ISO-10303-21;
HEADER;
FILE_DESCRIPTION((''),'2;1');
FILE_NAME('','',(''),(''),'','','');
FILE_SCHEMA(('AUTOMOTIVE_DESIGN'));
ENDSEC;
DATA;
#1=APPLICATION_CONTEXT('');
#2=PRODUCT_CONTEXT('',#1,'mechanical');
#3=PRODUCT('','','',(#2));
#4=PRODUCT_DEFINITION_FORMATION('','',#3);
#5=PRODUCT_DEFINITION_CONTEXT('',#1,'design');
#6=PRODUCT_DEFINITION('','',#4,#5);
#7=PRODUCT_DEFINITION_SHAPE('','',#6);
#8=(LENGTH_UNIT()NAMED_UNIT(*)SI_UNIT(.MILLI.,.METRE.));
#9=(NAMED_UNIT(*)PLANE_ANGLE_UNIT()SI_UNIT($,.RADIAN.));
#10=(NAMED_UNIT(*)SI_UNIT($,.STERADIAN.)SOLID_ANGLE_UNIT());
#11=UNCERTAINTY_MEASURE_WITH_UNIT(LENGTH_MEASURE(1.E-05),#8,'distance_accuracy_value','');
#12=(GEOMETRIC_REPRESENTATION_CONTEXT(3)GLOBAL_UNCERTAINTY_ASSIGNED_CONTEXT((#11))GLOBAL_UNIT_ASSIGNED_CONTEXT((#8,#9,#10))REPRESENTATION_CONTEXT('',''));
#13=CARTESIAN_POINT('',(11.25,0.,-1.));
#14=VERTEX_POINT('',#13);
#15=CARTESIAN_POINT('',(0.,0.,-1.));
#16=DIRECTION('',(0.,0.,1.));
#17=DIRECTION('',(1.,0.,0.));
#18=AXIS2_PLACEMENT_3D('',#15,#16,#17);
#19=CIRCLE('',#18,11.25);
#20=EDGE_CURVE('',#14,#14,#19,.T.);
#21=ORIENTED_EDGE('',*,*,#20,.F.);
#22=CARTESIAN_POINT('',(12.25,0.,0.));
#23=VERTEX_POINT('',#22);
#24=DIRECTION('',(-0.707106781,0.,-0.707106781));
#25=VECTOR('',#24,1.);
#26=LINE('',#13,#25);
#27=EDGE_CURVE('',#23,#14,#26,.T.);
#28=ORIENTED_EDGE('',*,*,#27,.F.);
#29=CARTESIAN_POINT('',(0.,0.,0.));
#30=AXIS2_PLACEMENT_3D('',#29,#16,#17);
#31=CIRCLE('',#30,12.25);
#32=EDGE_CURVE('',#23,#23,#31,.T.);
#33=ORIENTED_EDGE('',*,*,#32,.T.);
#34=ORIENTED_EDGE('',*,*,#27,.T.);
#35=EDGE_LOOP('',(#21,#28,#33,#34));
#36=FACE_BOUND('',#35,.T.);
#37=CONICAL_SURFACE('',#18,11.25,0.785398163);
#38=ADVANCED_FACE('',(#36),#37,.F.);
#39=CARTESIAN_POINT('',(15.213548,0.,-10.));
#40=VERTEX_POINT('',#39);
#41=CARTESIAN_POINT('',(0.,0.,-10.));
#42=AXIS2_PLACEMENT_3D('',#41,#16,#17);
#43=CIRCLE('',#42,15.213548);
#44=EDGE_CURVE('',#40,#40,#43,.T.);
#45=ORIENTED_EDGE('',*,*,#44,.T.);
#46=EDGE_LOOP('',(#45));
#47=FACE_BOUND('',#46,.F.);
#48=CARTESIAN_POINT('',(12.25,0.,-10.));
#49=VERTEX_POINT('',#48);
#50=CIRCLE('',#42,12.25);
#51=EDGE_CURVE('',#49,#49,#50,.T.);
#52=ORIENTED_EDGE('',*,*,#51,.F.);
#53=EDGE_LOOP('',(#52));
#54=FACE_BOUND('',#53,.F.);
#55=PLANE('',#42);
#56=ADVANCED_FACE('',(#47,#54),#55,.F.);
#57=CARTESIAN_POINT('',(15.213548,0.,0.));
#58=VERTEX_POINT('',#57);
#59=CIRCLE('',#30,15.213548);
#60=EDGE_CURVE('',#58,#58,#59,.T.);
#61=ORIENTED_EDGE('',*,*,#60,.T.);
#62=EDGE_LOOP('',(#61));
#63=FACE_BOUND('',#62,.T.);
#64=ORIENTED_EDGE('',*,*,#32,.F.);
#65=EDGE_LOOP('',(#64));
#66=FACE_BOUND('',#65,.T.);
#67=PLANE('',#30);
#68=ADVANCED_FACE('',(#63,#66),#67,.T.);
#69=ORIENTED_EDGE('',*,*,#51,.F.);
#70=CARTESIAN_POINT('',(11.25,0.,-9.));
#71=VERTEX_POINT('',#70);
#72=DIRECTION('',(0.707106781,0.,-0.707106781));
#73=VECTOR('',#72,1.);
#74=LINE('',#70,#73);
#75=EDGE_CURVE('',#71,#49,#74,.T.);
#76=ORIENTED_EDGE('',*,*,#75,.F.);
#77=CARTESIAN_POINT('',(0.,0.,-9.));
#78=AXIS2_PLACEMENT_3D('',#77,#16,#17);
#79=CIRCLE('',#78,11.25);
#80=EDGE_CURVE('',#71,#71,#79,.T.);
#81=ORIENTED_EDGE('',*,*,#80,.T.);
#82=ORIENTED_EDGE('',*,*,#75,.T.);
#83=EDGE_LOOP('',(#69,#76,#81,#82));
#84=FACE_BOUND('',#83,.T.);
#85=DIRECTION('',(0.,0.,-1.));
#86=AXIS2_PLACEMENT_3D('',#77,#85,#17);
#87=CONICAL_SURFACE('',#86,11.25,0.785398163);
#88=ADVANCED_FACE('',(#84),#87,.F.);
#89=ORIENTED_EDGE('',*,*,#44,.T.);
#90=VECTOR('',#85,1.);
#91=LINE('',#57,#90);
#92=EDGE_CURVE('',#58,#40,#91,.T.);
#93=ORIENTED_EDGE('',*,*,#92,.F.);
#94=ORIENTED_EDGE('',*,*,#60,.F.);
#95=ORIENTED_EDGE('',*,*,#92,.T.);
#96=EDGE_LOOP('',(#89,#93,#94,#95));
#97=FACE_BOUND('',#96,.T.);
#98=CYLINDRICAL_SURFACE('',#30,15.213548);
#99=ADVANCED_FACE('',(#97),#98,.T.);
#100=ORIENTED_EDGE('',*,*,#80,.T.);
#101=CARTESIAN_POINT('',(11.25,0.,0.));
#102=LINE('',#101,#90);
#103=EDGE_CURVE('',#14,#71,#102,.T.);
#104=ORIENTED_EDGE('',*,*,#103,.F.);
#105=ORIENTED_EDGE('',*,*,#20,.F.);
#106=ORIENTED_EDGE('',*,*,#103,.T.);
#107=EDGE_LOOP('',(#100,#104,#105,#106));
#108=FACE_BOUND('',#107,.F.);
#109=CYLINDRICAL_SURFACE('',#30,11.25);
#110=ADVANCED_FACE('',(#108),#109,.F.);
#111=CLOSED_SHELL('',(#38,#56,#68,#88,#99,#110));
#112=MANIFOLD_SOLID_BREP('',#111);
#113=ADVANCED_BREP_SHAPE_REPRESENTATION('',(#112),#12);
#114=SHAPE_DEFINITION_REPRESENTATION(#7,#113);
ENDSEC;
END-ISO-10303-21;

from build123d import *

# Parameters (mm, degrees)
F0_R     = 11.75
F0_R_2   = 11.25
F1_DEPTH = 10
F2_R     = 15.213548
F2_R_2   = 11.75
F3_DEPTH = 10
F4_SIZE  = 1
F5_SIZE  = 1


with BuildPart() as f1:
    # F0 (on Top) → F1 (new body)
    with BuildSketch(Plane.XY):
        Circle(F0_R)
        Circle(F0_R_2, mode=Mode.SUBTRACT)
    extrude(amount=-F1_DEPTH)

    # F2 (on Top) → F3 (join)
    with BuildSketch(Plane.XY):
        Circle(F2_R)
        Circle(F2_R_2, mode=Mode.SUBTRACT)
    extrude(amount=-F3_DEPTH)

    # F4
    f4_edges = [f1.edges().sort_by_distance(p)[0] for p in [
        (-11.25, 0, 0),
    ]]
    chamfer(f4_edges, length=F4_SIZE)

    # F5
    f5_edges = [f1.edges().sort_by_distance(p)[0] for p in [
        (-11.25, 0, -10),
    ]]
    chamfer(f5_edges, length=F5_SIZE)


solid = f1.part
